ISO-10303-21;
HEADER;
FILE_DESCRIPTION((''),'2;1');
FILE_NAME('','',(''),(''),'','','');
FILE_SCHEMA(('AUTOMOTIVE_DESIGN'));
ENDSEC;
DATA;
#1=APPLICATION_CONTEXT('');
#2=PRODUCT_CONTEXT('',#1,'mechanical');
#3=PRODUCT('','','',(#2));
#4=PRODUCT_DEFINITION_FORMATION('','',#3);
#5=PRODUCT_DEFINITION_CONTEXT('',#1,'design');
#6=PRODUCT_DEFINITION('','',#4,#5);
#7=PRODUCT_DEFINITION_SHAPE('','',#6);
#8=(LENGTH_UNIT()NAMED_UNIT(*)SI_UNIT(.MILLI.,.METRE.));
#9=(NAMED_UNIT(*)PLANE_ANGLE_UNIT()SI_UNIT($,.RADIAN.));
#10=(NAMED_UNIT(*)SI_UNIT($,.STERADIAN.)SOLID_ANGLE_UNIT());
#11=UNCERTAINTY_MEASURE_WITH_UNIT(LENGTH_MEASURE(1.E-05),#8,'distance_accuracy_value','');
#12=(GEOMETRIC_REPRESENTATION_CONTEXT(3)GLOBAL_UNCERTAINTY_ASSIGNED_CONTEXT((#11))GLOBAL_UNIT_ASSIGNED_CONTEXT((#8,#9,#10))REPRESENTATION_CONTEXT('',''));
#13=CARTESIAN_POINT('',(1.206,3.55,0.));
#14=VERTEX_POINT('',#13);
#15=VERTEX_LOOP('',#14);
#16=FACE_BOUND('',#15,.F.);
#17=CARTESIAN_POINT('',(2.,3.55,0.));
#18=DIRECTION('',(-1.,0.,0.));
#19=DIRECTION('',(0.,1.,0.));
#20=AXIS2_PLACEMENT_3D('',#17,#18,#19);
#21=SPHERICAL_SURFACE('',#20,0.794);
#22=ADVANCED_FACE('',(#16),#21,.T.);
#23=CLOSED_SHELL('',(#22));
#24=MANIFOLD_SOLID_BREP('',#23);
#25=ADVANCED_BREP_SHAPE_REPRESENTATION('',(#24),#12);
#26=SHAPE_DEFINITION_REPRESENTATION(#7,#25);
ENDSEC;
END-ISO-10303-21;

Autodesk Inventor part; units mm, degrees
ref_plane "YZ Plane" through (0, 0, 0) normal (1, 0, 0) x (0, 1, 0)
ref_plane "XZ Plane" through (0, 0, 0) normal (0, 1, 0) x (-1, 0, 0)
ref_plane "XY Plane" through (0, 0, 0) normal (0, 0, 1) x (1, 0, 0)
sketch "Sketch_4" plane through (0, 0, 0) normal (0, 0, 1) x (1, 0, 0)
  line L0 (2.794, 3.55) -> (1.206, 3.55)
  arc A0 (2.794, 3.55) -> (1.206, 3.55) centre (2, 3.55) ccw
  line L1 (2.794, 3.55) -> (1.206, 3.55)
  dimension "d0" = 360
revolve "Revolution1" add sketch "Sketch_4" angle 360 about axis through (2.794, 3.55, 0) along (1, 0, 0)
properties part number "W 638/4 XR-2Z_PART3"
